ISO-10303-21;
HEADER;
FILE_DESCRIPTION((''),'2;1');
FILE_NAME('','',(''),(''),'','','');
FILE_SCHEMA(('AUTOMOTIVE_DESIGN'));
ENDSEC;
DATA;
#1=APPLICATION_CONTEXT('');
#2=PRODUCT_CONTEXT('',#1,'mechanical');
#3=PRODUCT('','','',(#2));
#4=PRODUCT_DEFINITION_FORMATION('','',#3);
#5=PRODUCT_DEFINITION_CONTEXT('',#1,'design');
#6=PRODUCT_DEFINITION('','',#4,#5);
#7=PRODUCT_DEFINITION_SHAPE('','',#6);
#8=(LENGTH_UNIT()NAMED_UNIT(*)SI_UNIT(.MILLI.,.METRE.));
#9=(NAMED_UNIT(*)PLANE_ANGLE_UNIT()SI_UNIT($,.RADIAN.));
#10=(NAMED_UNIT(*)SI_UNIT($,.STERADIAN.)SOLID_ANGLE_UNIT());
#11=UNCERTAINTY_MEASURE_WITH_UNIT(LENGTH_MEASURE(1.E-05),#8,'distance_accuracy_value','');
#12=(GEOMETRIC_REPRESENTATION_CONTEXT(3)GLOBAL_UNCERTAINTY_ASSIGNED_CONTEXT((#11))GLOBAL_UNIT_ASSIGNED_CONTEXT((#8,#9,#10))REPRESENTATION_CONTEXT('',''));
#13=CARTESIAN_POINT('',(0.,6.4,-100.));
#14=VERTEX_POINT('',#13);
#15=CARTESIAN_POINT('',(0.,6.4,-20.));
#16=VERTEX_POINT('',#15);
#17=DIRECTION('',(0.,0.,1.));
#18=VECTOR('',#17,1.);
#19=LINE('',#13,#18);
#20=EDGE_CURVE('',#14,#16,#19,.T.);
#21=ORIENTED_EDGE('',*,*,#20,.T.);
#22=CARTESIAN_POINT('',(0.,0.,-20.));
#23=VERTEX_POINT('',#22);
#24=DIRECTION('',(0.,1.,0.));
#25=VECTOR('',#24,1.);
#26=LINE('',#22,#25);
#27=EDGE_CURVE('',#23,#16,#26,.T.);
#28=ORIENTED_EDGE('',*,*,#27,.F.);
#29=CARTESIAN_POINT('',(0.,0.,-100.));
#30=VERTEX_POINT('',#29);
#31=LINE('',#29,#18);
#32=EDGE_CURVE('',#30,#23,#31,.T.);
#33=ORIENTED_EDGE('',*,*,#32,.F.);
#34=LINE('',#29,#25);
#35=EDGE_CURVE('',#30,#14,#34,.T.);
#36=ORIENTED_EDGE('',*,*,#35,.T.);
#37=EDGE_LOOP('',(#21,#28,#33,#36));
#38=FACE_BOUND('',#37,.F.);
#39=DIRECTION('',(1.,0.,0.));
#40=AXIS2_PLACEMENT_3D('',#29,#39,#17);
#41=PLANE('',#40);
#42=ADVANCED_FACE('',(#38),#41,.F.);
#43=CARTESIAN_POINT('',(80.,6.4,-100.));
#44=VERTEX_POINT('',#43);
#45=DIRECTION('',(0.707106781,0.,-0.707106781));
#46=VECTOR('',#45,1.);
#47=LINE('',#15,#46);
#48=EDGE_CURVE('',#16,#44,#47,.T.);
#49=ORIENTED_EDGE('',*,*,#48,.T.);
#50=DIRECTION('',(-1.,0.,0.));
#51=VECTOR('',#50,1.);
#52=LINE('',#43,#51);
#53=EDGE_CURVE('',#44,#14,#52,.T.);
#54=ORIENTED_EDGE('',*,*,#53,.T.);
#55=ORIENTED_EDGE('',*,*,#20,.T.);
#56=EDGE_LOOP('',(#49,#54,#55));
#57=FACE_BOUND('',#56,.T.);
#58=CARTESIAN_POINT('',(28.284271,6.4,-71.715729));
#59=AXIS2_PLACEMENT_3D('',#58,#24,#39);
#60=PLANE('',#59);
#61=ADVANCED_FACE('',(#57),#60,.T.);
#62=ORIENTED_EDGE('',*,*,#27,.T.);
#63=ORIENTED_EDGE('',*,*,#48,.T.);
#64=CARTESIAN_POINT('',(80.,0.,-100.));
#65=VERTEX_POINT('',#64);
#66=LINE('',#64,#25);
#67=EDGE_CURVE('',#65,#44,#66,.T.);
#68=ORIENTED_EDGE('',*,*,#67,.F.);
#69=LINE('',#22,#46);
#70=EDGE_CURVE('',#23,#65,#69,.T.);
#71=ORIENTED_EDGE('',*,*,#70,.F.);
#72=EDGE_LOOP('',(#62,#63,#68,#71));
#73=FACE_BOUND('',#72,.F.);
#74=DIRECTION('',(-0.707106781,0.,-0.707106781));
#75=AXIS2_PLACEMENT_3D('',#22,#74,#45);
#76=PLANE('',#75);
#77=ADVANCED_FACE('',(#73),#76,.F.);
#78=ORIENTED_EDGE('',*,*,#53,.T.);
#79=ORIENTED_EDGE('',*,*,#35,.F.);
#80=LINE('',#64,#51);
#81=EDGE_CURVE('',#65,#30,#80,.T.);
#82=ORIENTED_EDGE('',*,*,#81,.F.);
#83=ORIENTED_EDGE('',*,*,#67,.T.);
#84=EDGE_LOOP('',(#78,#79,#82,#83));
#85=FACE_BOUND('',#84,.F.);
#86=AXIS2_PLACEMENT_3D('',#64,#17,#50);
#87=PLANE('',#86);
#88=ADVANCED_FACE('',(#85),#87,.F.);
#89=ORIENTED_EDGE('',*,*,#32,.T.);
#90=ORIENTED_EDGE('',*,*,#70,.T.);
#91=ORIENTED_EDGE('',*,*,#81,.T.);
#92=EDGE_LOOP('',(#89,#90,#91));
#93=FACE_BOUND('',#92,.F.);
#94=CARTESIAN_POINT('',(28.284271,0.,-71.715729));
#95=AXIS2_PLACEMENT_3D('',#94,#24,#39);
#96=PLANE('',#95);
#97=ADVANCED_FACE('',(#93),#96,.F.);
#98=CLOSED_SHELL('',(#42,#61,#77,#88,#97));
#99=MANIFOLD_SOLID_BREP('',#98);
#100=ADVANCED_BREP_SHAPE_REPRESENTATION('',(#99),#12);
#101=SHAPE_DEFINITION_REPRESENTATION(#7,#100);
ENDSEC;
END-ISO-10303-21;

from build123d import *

# Parameters (mm, degrees)
EXTRUDE_A_DEPTH = 6.4


with BuildPart() as part:
    # puzzle plan → Extrude A (new body)
    with BuildSketch(Plane(origin=(0, 0, 0), x_dir=(1, 0, 0), z_dir=(0, 1, 0))):
        Polygon((0, 100), (0, 20), (28, 48), (52, 72), (80, 100), align=None)
    extrude(amount=EXTRUDE_A_DEPTH)


solid = part.part
